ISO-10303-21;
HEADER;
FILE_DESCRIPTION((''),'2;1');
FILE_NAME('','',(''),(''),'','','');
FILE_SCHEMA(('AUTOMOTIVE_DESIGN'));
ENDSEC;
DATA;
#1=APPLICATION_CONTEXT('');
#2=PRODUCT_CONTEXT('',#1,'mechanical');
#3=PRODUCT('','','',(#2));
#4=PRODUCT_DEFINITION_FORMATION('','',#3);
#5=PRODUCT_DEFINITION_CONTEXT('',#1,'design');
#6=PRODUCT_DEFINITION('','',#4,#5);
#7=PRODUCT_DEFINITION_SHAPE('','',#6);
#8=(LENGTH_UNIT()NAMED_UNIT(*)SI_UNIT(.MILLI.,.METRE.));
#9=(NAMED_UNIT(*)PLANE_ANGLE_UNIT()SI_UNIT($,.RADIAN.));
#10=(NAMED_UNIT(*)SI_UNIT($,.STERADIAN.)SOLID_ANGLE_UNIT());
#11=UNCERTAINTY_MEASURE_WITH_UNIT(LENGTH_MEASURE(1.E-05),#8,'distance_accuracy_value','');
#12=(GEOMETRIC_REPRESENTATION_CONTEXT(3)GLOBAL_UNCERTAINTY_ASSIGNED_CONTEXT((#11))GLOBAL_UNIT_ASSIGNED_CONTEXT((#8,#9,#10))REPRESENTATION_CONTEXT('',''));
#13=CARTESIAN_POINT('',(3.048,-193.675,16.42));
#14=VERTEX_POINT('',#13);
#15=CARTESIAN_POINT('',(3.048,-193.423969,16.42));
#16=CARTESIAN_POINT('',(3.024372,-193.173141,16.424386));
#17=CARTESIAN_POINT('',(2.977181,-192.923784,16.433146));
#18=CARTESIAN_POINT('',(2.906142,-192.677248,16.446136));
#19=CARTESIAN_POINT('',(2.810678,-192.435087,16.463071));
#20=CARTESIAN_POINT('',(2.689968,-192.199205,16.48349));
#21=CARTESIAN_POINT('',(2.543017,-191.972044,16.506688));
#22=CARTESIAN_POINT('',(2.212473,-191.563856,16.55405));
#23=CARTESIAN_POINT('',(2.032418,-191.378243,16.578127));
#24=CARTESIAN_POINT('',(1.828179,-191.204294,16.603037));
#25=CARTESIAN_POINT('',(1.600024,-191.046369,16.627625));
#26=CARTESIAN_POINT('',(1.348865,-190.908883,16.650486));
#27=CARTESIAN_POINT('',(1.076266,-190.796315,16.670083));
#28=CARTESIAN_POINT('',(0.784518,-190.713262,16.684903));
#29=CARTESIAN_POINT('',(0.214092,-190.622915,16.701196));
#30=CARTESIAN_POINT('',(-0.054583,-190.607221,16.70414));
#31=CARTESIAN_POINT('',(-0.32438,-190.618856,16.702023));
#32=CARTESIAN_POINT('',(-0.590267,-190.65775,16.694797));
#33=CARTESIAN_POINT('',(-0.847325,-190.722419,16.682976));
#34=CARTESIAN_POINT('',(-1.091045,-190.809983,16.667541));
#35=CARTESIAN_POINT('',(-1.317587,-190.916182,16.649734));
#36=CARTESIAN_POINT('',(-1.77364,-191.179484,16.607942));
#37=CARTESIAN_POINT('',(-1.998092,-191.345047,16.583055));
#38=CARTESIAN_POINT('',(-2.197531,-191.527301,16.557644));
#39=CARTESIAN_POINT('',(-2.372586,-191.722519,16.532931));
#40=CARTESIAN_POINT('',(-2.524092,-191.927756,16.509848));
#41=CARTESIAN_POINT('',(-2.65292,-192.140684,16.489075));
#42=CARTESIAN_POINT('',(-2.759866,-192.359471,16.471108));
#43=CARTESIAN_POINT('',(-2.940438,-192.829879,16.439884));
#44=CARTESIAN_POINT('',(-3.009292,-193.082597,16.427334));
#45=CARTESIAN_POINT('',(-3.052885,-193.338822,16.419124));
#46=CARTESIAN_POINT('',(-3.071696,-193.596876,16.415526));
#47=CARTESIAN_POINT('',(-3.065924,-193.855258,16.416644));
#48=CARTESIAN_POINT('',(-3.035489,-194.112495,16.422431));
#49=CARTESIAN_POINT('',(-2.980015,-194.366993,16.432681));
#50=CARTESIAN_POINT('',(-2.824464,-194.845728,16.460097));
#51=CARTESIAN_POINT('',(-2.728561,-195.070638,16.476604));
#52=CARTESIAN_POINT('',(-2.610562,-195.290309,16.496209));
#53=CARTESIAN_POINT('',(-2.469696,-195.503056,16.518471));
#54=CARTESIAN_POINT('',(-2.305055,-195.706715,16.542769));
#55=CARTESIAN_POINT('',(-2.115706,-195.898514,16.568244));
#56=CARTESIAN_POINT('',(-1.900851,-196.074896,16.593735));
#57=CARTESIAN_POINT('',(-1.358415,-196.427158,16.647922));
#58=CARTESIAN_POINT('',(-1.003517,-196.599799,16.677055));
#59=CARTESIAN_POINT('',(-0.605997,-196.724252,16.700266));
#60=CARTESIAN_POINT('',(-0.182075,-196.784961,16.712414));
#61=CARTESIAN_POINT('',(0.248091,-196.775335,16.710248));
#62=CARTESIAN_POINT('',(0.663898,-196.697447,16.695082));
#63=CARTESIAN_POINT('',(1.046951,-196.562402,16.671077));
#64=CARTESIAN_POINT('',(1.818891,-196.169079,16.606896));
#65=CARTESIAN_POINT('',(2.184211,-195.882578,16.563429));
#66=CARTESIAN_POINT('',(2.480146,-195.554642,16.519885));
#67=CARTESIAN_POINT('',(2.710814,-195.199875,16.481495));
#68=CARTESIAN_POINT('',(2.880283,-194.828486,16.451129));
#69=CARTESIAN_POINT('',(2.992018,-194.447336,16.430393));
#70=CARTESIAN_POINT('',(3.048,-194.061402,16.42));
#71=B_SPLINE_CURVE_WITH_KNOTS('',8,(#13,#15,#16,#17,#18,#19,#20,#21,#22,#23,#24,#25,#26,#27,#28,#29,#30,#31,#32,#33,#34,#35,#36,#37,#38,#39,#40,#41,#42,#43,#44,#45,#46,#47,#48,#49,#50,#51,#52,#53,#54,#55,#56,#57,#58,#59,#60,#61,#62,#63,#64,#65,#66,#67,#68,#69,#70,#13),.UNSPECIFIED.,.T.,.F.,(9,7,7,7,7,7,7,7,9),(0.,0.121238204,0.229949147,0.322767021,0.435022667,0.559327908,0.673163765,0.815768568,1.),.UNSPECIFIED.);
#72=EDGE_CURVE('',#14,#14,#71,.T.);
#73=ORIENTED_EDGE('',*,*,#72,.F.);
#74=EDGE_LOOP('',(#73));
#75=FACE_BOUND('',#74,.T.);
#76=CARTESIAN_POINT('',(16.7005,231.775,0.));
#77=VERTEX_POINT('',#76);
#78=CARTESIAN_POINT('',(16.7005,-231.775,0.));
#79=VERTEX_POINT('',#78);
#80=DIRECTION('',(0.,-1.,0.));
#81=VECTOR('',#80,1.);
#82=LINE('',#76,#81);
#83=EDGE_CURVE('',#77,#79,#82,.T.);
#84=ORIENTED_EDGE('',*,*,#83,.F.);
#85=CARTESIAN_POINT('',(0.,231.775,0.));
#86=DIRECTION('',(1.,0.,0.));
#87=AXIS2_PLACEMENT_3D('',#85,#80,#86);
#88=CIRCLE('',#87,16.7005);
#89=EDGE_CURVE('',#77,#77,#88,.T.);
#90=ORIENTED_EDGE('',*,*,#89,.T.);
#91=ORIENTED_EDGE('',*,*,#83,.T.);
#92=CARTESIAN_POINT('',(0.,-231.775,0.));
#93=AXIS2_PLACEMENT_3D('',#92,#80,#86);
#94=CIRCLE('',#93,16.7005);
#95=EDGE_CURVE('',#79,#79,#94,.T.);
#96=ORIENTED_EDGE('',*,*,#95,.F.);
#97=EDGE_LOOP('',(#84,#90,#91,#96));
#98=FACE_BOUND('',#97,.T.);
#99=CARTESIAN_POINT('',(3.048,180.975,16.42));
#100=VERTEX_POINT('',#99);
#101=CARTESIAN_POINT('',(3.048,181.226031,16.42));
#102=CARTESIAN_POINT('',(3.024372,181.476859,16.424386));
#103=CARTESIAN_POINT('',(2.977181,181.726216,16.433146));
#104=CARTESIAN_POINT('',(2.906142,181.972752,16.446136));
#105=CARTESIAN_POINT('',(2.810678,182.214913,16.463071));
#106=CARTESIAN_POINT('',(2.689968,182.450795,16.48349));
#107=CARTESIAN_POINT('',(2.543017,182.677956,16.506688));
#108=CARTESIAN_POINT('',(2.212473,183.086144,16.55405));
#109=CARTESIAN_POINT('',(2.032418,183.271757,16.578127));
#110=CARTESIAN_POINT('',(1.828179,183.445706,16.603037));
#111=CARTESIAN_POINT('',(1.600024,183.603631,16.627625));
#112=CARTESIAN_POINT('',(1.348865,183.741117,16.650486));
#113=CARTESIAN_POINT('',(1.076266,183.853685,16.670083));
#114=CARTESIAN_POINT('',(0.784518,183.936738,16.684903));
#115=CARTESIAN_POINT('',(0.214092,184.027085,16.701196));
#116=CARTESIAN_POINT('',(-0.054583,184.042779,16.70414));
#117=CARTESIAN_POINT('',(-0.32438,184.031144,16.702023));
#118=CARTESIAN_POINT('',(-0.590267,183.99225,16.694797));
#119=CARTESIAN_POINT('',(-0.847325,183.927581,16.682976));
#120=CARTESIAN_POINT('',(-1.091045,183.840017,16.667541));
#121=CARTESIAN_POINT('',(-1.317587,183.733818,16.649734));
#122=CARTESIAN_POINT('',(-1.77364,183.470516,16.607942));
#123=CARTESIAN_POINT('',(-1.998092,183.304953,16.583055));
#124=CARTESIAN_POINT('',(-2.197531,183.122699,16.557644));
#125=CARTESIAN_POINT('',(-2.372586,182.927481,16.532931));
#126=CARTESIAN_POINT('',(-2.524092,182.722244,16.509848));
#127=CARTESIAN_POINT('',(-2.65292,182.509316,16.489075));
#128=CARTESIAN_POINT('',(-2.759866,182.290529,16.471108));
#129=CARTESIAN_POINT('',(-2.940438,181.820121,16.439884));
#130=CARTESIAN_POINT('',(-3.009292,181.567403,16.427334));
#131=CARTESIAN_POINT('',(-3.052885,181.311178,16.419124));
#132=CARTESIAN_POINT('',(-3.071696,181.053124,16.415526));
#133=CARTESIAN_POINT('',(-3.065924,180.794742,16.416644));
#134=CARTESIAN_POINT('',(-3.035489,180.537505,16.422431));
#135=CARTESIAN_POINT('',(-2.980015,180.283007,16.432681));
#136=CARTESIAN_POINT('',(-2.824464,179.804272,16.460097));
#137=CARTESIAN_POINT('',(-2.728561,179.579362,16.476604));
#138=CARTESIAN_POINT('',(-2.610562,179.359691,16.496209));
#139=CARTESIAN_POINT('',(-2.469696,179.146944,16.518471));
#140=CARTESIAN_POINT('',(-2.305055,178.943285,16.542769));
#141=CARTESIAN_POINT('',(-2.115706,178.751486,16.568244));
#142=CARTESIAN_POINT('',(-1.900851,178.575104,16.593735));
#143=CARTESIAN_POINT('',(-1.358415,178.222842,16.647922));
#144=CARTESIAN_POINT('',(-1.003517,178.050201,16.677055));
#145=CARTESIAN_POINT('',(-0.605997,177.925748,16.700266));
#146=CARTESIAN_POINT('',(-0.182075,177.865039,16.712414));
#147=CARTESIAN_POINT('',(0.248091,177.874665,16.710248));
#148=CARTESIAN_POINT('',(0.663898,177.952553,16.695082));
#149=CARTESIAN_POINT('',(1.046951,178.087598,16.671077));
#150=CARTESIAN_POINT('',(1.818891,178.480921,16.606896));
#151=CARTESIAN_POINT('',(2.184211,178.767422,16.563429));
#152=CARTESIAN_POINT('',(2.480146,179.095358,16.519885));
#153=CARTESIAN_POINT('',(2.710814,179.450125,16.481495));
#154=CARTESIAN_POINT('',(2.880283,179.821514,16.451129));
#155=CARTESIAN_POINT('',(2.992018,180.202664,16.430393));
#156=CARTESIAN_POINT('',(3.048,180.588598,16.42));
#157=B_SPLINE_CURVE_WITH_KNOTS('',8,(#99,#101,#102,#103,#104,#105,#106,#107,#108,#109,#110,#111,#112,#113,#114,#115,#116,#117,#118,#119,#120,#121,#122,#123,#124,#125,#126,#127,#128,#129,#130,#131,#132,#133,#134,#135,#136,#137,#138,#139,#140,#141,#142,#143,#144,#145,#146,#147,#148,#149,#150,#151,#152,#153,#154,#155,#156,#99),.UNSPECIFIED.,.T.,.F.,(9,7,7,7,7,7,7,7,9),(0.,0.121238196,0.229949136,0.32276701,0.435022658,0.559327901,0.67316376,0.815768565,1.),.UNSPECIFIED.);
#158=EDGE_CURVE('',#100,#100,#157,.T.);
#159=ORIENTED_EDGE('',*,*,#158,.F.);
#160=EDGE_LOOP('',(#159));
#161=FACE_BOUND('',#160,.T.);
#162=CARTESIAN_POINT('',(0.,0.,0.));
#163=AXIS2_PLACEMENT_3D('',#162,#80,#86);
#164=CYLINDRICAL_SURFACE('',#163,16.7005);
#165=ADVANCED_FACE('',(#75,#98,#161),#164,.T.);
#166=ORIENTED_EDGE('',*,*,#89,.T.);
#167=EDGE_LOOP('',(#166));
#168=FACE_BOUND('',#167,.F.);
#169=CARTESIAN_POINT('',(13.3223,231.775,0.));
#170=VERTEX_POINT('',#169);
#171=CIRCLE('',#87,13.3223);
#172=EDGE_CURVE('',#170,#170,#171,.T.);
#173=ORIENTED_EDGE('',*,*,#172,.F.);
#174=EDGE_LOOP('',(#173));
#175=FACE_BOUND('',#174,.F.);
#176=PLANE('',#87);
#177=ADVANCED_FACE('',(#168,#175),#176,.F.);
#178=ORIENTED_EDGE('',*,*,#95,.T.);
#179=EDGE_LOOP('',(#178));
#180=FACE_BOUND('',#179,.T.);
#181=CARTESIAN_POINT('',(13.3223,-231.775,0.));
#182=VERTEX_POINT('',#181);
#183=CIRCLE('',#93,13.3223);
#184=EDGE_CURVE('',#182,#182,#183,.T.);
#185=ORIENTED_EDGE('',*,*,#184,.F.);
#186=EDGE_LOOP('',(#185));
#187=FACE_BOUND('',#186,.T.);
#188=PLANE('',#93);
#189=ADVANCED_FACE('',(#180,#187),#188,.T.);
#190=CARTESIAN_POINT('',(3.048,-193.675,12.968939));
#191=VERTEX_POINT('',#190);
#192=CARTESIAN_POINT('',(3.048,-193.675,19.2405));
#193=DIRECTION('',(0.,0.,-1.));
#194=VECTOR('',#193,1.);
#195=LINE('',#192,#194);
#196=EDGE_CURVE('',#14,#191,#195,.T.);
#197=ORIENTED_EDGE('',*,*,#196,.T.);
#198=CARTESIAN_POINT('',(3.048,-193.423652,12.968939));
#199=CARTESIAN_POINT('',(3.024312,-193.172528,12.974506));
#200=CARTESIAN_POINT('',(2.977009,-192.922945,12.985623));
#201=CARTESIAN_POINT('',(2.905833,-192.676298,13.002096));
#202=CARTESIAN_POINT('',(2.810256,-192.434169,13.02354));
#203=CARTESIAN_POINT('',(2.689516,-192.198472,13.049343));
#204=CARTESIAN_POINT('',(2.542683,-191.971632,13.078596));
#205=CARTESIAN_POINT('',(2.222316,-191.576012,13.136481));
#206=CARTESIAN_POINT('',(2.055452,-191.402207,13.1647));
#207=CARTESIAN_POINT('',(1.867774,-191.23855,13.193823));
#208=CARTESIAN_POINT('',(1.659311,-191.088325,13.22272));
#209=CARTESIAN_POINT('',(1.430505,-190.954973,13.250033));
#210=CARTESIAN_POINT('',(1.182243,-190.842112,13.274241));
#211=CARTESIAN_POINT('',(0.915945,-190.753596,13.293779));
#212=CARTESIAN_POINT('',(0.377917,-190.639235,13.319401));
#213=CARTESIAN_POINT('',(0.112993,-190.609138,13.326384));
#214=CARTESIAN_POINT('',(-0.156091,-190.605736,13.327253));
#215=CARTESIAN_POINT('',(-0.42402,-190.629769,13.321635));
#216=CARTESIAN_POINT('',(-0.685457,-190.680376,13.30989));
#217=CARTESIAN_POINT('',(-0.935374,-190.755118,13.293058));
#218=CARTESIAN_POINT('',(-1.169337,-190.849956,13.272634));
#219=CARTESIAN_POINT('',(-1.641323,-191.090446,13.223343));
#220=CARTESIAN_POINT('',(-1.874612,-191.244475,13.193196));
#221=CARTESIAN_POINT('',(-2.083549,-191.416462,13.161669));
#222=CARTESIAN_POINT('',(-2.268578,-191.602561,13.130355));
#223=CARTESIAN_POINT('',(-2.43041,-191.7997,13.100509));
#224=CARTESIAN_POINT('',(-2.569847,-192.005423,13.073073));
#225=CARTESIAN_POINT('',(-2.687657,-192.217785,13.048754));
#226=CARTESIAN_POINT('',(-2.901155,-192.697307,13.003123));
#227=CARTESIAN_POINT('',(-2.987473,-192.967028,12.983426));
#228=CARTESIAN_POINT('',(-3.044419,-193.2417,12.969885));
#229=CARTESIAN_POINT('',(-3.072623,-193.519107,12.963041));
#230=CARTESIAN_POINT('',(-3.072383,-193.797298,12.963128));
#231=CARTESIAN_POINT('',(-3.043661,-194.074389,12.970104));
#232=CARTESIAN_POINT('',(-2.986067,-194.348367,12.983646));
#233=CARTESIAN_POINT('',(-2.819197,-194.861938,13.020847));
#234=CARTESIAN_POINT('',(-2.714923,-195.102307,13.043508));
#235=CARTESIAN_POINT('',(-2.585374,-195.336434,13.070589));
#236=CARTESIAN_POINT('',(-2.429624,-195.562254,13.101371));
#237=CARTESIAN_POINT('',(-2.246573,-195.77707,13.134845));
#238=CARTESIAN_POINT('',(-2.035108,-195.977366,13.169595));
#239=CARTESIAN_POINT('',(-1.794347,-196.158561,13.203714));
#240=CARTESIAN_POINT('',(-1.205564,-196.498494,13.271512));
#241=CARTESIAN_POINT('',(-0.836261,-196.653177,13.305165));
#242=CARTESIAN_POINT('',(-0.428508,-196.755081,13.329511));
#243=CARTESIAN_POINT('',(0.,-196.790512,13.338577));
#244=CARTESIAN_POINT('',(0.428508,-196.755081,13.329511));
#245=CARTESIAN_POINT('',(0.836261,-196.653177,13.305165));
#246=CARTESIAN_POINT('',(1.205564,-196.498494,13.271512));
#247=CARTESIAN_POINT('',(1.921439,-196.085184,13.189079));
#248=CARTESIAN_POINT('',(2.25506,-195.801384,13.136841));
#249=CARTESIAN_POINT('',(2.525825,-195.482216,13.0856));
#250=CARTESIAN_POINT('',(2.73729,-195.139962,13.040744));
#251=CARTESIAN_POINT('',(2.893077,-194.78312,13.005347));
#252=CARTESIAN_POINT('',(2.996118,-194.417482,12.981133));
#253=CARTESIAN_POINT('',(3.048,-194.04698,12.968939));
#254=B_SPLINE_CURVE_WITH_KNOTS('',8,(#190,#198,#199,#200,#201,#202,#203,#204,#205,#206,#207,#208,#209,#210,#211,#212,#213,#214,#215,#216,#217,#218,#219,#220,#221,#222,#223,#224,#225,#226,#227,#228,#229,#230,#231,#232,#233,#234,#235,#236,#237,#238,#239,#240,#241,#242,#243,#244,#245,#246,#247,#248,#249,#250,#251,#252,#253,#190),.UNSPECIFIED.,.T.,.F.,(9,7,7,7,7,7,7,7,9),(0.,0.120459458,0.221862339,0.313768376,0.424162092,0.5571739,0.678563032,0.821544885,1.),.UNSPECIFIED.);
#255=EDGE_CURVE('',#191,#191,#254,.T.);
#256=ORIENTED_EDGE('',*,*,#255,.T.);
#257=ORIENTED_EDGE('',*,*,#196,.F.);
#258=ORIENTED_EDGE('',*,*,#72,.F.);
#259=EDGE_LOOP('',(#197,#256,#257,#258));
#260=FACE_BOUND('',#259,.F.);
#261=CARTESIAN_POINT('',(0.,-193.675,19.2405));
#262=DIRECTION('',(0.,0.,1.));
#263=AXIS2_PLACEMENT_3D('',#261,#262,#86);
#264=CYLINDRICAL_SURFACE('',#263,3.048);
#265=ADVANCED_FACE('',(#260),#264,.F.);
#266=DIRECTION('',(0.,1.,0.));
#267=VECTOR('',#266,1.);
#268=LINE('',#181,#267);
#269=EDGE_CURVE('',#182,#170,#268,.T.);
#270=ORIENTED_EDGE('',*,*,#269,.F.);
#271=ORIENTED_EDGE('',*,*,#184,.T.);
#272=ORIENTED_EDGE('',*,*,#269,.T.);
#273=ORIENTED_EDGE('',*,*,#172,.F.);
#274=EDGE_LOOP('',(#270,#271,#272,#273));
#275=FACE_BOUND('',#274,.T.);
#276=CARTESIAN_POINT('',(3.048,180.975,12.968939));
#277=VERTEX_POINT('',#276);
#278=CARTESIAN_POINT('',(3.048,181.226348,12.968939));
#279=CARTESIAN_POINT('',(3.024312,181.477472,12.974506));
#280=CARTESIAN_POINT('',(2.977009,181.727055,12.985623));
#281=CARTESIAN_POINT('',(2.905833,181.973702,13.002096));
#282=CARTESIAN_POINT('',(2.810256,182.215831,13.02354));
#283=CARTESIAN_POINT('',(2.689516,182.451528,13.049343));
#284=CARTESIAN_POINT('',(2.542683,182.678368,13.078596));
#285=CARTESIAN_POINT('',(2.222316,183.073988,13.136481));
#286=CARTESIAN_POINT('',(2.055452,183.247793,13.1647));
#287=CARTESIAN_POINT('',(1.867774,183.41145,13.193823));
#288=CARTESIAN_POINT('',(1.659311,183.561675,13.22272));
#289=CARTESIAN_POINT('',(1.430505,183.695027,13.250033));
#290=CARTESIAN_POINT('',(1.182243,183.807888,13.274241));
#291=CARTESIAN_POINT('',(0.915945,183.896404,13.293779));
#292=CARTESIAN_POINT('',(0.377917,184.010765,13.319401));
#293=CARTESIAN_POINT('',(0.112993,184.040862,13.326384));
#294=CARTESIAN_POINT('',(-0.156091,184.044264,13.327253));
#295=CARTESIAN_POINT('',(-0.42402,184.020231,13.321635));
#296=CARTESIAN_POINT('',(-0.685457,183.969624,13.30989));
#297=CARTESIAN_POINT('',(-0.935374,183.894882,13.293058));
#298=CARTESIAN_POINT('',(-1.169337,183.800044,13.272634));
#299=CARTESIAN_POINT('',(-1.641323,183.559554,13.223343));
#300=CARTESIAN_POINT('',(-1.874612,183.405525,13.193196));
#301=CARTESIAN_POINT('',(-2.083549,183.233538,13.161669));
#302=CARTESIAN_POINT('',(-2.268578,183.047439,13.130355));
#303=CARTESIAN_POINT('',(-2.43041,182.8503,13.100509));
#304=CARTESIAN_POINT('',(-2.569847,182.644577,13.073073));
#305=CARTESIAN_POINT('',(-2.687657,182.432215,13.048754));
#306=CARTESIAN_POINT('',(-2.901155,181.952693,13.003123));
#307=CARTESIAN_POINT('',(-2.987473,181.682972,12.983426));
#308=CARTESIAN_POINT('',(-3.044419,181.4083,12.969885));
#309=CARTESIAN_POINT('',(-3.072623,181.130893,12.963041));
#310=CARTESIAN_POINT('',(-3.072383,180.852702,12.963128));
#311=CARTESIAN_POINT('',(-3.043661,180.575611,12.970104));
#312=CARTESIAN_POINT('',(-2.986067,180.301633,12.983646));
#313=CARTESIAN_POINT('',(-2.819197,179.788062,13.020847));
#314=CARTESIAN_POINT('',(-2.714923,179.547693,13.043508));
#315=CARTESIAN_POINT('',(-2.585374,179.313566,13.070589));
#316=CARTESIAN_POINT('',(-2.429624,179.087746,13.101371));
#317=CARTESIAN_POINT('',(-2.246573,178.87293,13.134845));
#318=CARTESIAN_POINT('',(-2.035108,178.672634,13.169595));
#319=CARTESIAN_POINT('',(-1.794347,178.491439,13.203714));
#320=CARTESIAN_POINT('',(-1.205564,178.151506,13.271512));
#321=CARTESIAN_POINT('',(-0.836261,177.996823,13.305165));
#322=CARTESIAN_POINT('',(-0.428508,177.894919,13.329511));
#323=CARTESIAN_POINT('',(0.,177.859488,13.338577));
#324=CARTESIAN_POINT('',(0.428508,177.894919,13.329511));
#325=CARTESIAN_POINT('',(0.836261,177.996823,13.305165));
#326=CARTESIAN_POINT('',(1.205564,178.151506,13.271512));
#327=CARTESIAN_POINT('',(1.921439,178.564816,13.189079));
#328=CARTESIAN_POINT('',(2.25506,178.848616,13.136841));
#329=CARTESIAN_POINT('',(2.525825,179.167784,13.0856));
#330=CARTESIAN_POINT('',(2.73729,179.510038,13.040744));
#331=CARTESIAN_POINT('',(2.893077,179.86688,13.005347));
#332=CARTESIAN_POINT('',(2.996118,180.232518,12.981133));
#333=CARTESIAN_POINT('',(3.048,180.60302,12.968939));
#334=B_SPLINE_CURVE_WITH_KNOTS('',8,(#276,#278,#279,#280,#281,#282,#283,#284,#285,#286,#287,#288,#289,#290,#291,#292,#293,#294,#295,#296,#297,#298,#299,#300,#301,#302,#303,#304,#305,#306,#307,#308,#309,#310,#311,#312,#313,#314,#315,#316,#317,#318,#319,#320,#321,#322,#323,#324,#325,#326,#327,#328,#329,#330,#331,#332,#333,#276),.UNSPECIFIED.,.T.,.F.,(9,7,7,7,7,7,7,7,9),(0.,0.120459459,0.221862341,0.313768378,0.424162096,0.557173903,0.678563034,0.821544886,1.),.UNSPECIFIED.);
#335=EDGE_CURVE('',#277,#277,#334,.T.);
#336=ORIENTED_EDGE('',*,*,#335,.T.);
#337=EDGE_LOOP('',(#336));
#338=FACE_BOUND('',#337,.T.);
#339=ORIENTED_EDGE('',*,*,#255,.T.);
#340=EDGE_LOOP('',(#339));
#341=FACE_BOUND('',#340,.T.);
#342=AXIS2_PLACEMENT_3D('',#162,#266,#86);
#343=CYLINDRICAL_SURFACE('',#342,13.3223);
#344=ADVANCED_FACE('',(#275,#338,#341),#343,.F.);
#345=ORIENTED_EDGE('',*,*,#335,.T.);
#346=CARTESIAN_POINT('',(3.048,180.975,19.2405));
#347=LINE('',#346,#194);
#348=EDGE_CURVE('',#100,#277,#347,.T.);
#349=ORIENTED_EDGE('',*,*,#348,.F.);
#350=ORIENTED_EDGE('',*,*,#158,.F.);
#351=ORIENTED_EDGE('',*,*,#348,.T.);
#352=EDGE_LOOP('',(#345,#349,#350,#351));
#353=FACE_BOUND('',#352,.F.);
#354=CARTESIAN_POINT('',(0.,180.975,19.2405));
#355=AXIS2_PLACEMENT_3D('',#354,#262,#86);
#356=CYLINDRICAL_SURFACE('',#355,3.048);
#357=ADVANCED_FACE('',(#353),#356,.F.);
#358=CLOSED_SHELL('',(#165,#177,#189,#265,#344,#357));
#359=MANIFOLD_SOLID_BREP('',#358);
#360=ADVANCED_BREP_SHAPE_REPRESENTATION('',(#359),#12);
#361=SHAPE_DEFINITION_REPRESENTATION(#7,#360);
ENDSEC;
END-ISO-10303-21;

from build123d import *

# Parameters (mm, degrees)
SKETCH_R     = 16.7005
SKETCH_R_2   = 13.3223
PAD_DEPTH    = 231.775
SKETCH001_R  = 3.048
POCKET_DEPTH = 12.7


with BuildPart() as part:
    # Sketch → Pad (new body, symmetric)
    with BuildSketch(Plane.XZ):
        Circle(SKETCH_R)
        Circle(SKETCH_R_2, mode=Mode.SUBTRACT)
    extrude(amount=PAD_DEPTH, both=True)

    # Sketch001 (on DatumPlane) → Pocket (cut)
    with BuildSketch(Plane(origin=(0, -231.775, 19.2405), x_dir=(1, 0, 0), z_dir=(0, 0, 1))):
        with Locations((0, 38.1)):
            Circle(SKETCH001_R)
        with Locations((0, 412.75)):
            Circle(SKETCH001_R)
    extrude(amount=-POCKET_DEPTH, mode=Mode.SUBTRACT)


solid = part.part
